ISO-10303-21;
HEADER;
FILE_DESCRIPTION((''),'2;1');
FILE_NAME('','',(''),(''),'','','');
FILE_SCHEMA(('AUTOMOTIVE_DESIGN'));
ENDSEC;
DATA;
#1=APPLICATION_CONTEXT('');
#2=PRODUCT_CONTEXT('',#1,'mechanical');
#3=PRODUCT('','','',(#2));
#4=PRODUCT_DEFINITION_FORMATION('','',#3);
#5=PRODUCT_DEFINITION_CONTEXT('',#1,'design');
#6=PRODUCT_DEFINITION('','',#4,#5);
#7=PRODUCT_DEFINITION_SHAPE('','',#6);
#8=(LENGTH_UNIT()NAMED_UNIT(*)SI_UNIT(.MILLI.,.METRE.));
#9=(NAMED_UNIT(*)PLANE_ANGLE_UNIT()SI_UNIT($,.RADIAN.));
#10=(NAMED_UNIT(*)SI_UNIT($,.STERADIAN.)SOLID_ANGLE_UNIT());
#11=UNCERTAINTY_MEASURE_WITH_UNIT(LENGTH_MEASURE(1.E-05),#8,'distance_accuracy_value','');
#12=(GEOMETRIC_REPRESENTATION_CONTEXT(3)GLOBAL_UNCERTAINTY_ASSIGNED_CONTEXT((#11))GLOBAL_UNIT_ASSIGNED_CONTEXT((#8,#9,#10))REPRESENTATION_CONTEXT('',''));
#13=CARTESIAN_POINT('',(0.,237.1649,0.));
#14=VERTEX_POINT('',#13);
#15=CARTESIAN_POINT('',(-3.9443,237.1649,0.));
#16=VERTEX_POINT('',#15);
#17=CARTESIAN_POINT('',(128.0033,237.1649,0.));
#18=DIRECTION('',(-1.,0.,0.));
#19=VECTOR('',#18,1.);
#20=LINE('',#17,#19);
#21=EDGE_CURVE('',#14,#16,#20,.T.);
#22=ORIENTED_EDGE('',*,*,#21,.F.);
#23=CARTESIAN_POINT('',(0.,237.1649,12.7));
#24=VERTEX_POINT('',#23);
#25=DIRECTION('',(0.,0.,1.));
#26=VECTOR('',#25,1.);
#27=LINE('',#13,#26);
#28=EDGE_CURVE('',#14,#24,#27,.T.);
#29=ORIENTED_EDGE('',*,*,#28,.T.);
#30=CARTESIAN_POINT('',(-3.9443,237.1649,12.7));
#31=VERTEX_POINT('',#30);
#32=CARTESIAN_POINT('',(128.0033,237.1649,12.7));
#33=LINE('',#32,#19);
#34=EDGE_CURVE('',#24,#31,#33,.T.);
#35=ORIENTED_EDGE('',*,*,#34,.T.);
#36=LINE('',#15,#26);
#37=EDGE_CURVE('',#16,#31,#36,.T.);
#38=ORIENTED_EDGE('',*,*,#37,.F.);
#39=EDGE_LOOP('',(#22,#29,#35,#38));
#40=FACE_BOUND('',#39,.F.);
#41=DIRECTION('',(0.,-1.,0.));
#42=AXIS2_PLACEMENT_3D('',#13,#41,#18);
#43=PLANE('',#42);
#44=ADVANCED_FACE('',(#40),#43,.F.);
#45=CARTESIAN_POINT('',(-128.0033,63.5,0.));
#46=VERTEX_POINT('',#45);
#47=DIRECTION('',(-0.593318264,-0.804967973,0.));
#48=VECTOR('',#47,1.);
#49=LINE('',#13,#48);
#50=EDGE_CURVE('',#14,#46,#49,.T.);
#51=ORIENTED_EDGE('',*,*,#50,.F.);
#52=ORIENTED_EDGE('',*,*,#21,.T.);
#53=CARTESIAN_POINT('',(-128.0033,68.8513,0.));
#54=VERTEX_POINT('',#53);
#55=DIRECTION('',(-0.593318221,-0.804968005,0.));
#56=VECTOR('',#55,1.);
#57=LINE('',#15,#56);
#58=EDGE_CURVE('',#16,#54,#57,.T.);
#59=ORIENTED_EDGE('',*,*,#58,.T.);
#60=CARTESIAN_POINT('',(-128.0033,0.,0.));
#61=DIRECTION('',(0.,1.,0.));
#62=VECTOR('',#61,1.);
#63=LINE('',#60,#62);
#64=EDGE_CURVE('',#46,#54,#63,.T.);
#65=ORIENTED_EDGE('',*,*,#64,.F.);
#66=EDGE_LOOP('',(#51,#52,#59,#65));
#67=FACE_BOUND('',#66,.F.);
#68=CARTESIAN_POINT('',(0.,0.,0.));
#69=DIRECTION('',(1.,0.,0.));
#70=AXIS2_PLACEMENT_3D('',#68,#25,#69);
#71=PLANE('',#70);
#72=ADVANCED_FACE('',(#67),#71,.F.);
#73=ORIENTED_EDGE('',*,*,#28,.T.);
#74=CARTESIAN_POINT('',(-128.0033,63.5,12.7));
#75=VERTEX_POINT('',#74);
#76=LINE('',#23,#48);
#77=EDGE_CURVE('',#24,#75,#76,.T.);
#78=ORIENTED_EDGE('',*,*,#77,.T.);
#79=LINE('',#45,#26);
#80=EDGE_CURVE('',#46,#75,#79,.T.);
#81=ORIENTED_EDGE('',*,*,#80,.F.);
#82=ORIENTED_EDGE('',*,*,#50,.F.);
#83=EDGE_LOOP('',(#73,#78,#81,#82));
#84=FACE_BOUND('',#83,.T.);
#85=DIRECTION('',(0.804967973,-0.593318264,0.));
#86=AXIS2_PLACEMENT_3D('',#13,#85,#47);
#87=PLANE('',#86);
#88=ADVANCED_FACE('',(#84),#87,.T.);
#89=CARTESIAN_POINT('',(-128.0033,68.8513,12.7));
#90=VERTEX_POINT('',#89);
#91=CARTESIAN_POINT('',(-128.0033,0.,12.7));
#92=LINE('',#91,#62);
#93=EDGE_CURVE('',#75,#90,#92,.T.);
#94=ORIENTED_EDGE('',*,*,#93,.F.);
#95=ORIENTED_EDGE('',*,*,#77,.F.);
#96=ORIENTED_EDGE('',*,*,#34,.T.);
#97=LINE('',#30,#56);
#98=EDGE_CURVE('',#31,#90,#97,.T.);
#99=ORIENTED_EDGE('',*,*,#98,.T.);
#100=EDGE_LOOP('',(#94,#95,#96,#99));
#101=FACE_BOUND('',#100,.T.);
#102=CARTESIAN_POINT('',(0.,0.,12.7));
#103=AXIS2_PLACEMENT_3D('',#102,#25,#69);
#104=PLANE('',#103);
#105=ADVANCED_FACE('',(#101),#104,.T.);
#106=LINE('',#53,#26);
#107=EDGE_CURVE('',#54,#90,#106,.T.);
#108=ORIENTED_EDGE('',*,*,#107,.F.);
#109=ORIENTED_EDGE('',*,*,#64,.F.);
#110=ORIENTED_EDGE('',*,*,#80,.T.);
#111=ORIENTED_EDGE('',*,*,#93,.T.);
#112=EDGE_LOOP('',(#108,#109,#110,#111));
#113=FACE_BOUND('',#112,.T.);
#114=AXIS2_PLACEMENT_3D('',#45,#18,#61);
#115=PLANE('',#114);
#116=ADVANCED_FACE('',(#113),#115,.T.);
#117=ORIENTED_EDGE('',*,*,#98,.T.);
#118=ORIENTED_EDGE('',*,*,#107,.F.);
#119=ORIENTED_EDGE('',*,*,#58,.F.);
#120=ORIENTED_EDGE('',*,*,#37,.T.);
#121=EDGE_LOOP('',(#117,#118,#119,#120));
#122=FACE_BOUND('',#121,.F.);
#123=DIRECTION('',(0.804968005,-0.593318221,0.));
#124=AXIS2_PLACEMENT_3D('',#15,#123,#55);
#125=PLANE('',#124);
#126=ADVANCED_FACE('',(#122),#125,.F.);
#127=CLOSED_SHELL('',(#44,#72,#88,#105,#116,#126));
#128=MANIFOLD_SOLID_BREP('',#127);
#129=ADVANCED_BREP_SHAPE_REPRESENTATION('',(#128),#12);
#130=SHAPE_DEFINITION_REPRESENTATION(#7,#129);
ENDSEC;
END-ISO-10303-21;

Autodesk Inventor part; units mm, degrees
ref_plane "YZ Plane" through (0, 0, 0) normal (1, 0, 0) x (0, 1, 0)
ref_plane "XZ Plane" through (0, 0, 0) normal (0, 1, 0) x (-1, 0, 0)
ref_plane "XY Plane" through (0, 0, 0) normal (0, 0, 1) x (1, 0, 0)
ref_plane "Work Plane1" through (0, 0, 0) normal (0, 0, 1) x (1, 0, 0)
sketch "Sketch1" plane through (0, 0, 0) normal (0, 0, 1) x (1, 0, 0)
  line L0 (128.0033, 237.1649) -> (-128.0033, 237.1649) projected
  line L1 (-128.0033, 0) -> (-128.0033, 237.1649) projected
  line L2 (128.0033, 0) -> (-128.0033, 0) projected
  line L3 (128.0033, 237.1649) -> (128.0033, 0) projected
  line L4 (0, 237.1649) -> (-128.0033, 63.5)
  line L5 (-3.9443, 237.1649) -> (-128.0033, 68.8513)
  point P0 (0, 0)
  dimension "d0" = 63.5
  dimension "d1" = 128.0033
  dimension "d2" = 3.175
extrude "Extrusion1" add sketch "Sketch1" along normal blind 12.7 contours L4 L1 L5 L0
properties part number "backWall"
